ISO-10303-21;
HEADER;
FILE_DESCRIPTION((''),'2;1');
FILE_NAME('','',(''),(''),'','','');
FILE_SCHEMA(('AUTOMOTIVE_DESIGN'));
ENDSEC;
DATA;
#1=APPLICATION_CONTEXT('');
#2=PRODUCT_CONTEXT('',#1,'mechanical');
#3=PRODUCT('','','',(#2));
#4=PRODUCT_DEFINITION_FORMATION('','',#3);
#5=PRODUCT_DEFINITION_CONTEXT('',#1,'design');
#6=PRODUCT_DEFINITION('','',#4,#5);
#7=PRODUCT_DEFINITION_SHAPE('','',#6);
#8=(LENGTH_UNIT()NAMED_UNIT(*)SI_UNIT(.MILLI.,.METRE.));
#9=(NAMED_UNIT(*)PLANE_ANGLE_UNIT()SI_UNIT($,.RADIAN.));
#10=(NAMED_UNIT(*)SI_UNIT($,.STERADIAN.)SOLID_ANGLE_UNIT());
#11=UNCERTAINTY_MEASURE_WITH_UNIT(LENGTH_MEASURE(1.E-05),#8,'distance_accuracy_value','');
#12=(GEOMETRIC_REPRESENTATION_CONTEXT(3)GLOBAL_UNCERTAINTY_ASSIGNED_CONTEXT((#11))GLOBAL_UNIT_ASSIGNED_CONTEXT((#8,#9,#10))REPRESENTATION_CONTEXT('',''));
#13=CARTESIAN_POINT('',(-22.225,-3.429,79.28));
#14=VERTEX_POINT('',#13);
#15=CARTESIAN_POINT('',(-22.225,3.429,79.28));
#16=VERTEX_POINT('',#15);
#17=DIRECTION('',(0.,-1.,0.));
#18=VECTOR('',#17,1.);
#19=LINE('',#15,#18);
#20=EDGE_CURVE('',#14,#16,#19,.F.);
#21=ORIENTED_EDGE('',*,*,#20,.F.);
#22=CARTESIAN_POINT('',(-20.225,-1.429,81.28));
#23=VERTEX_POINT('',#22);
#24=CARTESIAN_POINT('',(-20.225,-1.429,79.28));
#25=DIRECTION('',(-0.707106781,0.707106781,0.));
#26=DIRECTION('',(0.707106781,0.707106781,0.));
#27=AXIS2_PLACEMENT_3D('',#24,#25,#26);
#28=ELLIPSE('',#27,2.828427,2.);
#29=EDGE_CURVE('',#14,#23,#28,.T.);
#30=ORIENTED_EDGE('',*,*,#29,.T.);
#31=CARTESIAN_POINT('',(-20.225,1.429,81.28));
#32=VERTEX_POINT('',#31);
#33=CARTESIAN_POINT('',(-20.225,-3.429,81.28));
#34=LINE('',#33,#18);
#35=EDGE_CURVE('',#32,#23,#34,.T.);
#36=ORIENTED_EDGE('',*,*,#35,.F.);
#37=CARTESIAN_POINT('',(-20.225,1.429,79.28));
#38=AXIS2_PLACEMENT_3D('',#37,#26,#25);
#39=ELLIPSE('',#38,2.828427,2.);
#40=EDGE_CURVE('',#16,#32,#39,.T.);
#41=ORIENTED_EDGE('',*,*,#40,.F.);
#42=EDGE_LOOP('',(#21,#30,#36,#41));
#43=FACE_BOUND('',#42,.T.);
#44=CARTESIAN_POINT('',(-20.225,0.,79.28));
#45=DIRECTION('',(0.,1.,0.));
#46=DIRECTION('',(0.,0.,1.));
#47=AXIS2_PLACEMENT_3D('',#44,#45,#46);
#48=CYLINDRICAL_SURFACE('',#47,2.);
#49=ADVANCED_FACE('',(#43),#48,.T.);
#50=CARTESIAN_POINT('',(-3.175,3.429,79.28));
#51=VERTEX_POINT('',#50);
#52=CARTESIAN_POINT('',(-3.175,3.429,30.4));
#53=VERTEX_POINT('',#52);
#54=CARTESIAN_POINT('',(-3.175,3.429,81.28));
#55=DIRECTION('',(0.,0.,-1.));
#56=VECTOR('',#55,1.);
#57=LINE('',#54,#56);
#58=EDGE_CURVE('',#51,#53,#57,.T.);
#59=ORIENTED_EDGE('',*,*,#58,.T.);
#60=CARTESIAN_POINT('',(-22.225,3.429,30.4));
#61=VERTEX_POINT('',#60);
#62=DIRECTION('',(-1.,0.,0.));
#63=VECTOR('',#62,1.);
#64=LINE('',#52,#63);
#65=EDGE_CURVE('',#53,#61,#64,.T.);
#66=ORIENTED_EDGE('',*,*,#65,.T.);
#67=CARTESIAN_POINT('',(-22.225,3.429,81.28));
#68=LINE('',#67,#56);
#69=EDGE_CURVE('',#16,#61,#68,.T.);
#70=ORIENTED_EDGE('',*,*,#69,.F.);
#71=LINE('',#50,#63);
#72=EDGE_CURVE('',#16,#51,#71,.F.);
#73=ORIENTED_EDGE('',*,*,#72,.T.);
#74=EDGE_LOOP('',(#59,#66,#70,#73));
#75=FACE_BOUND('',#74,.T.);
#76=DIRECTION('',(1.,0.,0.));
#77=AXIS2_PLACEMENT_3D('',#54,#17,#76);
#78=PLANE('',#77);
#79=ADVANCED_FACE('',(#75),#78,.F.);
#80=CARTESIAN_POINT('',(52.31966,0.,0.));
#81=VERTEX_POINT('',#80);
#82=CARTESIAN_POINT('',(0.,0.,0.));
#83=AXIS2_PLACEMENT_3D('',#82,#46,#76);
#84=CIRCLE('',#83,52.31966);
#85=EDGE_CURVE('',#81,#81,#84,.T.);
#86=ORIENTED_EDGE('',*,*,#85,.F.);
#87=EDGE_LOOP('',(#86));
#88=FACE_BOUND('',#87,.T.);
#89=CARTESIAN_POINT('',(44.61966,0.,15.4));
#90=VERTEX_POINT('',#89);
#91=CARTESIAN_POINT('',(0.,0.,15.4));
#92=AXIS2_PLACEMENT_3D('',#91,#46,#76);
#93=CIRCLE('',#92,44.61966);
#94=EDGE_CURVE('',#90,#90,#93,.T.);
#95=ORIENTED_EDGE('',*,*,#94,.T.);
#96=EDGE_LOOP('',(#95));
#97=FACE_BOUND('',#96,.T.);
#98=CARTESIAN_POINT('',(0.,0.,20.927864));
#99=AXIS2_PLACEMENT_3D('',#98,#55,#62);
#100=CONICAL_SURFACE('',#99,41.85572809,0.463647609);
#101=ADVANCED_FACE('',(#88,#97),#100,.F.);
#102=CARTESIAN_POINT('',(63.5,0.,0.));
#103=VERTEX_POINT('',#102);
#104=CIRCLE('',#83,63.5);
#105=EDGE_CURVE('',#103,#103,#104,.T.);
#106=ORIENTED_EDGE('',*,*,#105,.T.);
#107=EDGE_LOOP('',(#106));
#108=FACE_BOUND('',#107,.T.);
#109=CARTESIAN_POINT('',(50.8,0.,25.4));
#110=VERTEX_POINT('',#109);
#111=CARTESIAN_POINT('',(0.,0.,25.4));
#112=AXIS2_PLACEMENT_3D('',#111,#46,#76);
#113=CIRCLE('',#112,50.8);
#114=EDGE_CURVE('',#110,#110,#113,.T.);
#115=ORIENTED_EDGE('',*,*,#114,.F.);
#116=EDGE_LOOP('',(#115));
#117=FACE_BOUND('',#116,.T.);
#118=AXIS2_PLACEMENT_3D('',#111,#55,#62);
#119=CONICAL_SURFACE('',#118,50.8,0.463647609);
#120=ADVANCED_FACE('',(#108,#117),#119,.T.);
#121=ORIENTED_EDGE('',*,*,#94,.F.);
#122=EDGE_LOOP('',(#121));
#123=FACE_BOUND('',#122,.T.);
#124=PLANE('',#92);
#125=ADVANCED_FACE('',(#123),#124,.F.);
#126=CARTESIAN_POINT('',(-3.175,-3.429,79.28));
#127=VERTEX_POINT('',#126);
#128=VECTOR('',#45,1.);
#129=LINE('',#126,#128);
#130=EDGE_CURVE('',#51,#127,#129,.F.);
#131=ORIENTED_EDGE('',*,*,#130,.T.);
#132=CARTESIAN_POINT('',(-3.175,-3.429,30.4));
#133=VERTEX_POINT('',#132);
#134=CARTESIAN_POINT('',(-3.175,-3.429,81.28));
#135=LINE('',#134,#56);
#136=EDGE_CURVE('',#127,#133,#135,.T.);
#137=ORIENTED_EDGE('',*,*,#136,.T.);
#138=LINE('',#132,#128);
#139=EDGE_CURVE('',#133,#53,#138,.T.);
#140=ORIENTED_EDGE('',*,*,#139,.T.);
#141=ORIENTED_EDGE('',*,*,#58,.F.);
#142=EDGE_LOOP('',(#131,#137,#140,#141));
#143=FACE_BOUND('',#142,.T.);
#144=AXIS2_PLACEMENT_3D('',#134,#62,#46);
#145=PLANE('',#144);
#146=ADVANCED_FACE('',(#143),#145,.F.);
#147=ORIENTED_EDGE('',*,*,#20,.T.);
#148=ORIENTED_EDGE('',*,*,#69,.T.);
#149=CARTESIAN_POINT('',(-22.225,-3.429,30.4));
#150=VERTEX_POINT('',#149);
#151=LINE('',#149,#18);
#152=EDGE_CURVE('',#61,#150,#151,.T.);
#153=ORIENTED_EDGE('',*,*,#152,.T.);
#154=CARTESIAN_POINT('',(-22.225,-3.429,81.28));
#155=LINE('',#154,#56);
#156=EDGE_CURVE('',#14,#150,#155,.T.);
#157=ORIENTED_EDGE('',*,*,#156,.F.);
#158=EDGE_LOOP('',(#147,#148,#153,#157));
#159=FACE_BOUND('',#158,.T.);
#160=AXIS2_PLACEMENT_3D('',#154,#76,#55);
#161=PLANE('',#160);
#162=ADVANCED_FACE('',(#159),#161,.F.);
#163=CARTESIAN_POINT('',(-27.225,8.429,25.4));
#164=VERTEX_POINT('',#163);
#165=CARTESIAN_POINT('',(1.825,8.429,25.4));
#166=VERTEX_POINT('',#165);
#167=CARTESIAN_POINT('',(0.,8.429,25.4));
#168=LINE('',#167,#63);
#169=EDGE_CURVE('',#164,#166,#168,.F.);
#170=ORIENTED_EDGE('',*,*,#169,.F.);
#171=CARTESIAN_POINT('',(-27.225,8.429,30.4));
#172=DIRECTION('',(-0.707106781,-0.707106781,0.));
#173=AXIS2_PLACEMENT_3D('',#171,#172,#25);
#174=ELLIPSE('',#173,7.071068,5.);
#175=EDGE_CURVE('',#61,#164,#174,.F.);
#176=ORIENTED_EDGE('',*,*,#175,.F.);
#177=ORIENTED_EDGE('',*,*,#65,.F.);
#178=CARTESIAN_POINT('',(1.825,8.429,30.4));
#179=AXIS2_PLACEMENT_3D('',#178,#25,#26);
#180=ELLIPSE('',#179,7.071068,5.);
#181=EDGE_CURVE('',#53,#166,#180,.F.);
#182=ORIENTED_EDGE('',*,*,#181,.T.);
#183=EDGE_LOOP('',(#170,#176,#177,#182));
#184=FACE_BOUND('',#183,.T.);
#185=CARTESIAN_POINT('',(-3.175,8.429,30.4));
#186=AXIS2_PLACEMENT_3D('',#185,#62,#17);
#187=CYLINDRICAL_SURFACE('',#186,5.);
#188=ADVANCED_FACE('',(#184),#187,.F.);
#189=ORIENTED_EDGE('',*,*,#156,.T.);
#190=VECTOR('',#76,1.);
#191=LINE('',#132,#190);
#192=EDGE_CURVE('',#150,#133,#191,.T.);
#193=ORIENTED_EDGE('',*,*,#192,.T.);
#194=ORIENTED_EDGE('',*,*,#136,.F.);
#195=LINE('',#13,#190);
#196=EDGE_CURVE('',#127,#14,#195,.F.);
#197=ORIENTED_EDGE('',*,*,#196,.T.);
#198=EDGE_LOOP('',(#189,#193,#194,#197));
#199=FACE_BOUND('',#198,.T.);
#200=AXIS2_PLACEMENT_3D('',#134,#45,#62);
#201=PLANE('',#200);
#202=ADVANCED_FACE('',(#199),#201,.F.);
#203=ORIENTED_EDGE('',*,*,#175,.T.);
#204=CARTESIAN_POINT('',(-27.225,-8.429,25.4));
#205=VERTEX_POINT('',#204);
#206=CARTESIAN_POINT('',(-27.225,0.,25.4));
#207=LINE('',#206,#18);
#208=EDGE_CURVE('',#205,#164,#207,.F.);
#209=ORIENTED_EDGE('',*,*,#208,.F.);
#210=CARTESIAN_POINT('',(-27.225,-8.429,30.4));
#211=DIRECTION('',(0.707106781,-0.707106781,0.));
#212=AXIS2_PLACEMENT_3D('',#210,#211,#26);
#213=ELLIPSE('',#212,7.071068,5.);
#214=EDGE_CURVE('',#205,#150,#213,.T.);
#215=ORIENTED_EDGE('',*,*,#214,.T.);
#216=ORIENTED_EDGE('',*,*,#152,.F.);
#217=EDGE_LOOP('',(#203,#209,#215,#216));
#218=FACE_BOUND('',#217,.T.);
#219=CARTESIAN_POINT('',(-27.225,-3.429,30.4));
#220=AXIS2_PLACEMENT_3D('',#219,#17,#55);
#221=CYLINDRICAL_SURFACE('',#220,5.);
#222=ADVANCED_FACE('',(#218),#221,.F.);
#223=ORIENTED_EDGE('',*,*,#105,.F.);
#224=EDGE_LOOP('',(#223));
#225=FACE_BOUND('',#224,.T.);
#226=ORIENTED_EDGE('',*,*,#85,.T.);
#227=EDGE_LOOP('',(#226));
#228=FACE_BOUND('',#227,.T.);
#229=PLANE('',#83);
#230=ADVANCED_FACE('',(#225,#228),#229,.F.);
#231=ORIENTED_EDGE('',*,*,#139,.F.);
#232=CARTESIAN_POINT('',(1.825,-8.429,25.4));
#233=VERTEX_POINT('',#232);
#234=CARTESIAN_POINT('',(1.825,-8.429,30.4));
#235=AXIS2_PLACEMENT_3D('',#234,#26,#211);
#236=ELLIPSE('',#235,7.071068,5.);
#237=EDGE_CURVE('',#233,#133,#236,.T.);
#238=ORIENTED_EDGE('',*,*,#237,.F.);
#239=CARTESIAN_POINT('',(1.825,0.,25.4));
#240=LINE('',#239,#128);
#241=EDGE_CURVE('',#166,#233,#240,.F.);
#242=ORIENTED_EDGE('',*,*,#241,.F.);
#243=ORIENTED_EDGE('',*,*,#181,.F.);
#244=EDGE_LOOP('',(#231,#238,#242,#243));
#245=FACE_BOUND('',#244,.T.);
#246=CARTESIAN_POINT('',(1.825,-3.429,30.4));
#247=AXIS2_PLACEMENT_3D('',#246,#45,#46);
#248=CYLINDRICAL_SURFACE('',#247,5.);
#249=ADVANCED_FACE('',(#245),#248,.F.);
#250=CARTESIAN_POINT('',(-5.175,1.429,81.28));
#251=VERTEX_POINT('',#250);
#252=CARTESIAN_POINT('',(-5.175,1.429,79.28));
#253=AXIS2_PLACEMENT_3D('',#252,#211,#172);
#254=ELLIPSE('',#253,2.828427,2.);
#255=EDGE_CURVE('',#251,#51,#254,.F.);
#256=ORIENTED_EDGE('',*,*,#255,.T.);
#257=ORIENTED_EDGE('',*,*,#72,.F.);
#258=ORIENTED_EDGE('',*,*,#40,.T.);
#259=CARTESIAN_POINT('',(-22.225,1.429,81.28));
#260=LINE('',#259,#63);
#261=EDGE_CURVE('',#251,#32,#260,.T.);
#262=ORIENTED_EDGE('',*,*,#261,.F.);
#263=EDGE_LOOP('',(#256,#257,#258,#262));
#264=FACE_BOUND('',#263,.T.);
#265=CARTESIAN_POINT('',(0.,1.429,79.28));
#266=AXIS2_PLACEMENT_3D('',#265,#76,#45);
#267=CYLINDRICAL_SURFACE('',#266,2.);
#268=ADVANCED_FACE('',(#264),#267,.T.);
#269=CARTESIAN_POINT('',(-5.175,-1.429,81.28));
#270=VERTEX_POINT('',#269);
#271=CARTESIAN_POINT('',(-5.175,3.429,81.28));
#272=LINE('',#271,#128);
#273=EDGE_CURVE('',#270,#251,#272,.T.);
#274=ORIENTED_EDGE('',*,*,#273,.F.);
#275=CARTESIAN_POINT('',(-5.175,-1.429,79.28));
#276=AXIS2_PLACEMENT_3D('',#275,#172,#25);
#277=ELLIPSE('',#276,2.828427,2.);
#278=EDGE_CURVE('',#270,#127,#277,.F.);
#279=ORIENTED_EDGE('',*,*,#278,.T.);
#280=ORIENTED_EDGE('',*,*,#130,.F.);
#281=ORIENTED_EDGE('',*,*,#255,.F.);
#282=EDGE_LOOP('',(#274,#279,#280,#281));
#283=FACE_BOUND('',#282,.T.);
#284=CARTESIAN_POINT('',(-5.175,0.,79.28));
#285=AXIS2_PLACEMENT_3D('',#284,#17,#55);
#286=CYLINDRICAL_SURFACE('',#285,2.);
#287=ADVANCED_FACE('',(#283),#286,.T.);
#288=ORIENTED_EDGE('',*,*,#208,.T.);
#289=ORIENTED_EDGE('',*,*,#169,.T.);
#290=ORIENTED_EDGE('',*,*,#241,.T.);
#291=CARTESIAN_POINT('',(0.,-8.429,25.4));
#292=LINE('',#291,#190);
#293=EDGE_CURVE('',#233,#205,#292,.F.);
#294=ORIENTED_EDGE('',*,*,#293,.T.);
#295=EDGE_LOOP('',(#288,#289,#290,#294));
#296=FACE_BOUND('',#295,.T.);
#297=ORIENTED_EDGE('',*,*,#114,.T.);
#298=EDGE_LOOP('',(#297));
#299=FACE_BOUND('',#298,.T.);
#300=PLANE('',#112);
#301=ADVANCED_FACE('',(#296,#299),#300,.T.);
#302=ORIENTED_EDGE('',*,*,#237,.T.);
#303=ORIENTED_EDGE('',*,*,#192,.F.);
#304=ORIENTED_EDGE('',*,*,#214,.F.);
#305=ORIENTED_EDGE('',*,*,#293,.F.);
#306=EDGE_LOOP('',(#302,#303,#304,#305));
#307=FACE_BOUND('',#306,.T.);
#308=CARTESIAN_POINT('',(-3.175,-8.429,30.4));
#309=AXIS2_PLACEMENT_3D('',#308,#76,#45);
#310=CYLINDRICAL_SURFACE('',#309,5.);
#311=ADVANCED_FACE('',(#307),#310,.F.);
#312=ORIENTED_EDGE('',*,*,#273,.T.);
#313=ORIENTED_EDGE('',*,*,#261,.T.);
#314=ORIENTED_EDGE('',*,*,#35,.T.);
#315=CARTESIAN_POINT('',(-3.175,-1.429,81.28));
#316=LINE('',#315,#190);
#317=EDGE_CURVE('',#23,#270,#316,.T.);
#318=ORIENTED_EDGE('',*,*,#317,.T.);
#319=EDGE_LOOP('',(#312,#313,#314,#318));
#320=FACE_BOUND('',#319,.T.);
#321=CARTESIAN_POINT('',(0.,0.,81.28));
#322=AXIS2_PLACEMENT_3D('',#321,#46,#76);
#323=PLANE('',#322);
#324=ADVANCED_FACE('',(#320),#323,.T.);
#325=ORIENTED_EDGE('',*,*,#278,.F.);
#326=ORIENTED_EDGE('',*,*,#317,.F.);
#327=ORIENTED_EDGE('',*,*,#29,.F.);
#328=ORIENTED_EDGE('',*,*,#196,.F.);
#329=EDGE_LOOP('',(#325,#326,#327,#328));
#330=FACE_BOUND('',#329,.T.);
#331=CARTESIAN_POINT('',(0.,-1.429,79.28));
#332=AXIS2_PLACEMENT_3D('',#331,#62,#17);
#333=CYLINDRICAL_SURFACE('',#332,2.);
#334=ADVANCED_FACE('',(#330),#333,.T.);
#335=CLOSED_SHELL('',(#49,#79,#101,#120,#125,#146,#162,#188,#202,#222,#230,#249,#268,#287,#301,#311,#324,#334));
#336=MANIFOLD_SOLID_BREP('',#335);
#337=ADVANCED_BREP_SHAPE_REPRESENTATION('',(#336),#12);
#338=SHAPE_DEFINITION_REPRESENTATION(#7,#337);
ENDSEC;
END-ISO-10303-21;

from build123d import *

# Parameters (mm, degrees)
SKETCH1_R           = 63.5
SKETCH2_R           = 50.8
SHELL1_T            = -10
SKETCH3_W           = 19.05
SKETCH3_H           = 6.858
BOSS_EXTRUDE1_DEPTH = 55.88
FILLET2_R           = 2
FILLET3_R           = 5


with BuildPart() as part:
    # Sketch1 → Loft1 section 0
    with BuildSketch(Plane.XY):
        Circle(SKETCH1_R)
    # Sketch2 → Loft1 section 1
    with BuildSketch(Plane.XY.offset(25.4)):
        Circle(SKETCH2_R)
    loft()

    # Shell1
    shell1_openings = [part.faces().sort_by_distance(p)[0] for p in [
        (0, 0, 0),
    ]]
    offset(amount=SHELL1_T, openings=shell1_openings, kind=Kind.INTERSECTION)

    # Sketch3 → Boss-Extrude1 (add)
    with BuildSketch(Plane.XY.offset(25.4)):
        with Locations((-12.7, 0)):
            Rectangle(SKETCH3_W, SKETCH3_H)
    extrude(amount=BOSS_EXTRUDE1_DEPTH)

    # Fillet2
    fillet2_edges = [part.edges().sort_by_distance(p)[0] for p in [
        (-22.225, 0, 81.28),
        (-12.7, -3.429, 81.28),
        (-3.175, 0, 81.28),
        (-12.7, 3.429, 81.28),
    ]]
    fillet(fillet2_edges, radius=FILLET2_R)

    # Fillet3
    fillet3_edges = [part.edges().sort_by_distance(p)[0] for p in [
        (-22.225, 0, 25.4),
        (-12.7, -3.429, 25.4),
        (-3.175, 0, 25.4),
        (-12.7, 3.429, 25.4),
    ]]
    fillet(fillet3_edges, radius=FILLET3_R)


solid = part.part
